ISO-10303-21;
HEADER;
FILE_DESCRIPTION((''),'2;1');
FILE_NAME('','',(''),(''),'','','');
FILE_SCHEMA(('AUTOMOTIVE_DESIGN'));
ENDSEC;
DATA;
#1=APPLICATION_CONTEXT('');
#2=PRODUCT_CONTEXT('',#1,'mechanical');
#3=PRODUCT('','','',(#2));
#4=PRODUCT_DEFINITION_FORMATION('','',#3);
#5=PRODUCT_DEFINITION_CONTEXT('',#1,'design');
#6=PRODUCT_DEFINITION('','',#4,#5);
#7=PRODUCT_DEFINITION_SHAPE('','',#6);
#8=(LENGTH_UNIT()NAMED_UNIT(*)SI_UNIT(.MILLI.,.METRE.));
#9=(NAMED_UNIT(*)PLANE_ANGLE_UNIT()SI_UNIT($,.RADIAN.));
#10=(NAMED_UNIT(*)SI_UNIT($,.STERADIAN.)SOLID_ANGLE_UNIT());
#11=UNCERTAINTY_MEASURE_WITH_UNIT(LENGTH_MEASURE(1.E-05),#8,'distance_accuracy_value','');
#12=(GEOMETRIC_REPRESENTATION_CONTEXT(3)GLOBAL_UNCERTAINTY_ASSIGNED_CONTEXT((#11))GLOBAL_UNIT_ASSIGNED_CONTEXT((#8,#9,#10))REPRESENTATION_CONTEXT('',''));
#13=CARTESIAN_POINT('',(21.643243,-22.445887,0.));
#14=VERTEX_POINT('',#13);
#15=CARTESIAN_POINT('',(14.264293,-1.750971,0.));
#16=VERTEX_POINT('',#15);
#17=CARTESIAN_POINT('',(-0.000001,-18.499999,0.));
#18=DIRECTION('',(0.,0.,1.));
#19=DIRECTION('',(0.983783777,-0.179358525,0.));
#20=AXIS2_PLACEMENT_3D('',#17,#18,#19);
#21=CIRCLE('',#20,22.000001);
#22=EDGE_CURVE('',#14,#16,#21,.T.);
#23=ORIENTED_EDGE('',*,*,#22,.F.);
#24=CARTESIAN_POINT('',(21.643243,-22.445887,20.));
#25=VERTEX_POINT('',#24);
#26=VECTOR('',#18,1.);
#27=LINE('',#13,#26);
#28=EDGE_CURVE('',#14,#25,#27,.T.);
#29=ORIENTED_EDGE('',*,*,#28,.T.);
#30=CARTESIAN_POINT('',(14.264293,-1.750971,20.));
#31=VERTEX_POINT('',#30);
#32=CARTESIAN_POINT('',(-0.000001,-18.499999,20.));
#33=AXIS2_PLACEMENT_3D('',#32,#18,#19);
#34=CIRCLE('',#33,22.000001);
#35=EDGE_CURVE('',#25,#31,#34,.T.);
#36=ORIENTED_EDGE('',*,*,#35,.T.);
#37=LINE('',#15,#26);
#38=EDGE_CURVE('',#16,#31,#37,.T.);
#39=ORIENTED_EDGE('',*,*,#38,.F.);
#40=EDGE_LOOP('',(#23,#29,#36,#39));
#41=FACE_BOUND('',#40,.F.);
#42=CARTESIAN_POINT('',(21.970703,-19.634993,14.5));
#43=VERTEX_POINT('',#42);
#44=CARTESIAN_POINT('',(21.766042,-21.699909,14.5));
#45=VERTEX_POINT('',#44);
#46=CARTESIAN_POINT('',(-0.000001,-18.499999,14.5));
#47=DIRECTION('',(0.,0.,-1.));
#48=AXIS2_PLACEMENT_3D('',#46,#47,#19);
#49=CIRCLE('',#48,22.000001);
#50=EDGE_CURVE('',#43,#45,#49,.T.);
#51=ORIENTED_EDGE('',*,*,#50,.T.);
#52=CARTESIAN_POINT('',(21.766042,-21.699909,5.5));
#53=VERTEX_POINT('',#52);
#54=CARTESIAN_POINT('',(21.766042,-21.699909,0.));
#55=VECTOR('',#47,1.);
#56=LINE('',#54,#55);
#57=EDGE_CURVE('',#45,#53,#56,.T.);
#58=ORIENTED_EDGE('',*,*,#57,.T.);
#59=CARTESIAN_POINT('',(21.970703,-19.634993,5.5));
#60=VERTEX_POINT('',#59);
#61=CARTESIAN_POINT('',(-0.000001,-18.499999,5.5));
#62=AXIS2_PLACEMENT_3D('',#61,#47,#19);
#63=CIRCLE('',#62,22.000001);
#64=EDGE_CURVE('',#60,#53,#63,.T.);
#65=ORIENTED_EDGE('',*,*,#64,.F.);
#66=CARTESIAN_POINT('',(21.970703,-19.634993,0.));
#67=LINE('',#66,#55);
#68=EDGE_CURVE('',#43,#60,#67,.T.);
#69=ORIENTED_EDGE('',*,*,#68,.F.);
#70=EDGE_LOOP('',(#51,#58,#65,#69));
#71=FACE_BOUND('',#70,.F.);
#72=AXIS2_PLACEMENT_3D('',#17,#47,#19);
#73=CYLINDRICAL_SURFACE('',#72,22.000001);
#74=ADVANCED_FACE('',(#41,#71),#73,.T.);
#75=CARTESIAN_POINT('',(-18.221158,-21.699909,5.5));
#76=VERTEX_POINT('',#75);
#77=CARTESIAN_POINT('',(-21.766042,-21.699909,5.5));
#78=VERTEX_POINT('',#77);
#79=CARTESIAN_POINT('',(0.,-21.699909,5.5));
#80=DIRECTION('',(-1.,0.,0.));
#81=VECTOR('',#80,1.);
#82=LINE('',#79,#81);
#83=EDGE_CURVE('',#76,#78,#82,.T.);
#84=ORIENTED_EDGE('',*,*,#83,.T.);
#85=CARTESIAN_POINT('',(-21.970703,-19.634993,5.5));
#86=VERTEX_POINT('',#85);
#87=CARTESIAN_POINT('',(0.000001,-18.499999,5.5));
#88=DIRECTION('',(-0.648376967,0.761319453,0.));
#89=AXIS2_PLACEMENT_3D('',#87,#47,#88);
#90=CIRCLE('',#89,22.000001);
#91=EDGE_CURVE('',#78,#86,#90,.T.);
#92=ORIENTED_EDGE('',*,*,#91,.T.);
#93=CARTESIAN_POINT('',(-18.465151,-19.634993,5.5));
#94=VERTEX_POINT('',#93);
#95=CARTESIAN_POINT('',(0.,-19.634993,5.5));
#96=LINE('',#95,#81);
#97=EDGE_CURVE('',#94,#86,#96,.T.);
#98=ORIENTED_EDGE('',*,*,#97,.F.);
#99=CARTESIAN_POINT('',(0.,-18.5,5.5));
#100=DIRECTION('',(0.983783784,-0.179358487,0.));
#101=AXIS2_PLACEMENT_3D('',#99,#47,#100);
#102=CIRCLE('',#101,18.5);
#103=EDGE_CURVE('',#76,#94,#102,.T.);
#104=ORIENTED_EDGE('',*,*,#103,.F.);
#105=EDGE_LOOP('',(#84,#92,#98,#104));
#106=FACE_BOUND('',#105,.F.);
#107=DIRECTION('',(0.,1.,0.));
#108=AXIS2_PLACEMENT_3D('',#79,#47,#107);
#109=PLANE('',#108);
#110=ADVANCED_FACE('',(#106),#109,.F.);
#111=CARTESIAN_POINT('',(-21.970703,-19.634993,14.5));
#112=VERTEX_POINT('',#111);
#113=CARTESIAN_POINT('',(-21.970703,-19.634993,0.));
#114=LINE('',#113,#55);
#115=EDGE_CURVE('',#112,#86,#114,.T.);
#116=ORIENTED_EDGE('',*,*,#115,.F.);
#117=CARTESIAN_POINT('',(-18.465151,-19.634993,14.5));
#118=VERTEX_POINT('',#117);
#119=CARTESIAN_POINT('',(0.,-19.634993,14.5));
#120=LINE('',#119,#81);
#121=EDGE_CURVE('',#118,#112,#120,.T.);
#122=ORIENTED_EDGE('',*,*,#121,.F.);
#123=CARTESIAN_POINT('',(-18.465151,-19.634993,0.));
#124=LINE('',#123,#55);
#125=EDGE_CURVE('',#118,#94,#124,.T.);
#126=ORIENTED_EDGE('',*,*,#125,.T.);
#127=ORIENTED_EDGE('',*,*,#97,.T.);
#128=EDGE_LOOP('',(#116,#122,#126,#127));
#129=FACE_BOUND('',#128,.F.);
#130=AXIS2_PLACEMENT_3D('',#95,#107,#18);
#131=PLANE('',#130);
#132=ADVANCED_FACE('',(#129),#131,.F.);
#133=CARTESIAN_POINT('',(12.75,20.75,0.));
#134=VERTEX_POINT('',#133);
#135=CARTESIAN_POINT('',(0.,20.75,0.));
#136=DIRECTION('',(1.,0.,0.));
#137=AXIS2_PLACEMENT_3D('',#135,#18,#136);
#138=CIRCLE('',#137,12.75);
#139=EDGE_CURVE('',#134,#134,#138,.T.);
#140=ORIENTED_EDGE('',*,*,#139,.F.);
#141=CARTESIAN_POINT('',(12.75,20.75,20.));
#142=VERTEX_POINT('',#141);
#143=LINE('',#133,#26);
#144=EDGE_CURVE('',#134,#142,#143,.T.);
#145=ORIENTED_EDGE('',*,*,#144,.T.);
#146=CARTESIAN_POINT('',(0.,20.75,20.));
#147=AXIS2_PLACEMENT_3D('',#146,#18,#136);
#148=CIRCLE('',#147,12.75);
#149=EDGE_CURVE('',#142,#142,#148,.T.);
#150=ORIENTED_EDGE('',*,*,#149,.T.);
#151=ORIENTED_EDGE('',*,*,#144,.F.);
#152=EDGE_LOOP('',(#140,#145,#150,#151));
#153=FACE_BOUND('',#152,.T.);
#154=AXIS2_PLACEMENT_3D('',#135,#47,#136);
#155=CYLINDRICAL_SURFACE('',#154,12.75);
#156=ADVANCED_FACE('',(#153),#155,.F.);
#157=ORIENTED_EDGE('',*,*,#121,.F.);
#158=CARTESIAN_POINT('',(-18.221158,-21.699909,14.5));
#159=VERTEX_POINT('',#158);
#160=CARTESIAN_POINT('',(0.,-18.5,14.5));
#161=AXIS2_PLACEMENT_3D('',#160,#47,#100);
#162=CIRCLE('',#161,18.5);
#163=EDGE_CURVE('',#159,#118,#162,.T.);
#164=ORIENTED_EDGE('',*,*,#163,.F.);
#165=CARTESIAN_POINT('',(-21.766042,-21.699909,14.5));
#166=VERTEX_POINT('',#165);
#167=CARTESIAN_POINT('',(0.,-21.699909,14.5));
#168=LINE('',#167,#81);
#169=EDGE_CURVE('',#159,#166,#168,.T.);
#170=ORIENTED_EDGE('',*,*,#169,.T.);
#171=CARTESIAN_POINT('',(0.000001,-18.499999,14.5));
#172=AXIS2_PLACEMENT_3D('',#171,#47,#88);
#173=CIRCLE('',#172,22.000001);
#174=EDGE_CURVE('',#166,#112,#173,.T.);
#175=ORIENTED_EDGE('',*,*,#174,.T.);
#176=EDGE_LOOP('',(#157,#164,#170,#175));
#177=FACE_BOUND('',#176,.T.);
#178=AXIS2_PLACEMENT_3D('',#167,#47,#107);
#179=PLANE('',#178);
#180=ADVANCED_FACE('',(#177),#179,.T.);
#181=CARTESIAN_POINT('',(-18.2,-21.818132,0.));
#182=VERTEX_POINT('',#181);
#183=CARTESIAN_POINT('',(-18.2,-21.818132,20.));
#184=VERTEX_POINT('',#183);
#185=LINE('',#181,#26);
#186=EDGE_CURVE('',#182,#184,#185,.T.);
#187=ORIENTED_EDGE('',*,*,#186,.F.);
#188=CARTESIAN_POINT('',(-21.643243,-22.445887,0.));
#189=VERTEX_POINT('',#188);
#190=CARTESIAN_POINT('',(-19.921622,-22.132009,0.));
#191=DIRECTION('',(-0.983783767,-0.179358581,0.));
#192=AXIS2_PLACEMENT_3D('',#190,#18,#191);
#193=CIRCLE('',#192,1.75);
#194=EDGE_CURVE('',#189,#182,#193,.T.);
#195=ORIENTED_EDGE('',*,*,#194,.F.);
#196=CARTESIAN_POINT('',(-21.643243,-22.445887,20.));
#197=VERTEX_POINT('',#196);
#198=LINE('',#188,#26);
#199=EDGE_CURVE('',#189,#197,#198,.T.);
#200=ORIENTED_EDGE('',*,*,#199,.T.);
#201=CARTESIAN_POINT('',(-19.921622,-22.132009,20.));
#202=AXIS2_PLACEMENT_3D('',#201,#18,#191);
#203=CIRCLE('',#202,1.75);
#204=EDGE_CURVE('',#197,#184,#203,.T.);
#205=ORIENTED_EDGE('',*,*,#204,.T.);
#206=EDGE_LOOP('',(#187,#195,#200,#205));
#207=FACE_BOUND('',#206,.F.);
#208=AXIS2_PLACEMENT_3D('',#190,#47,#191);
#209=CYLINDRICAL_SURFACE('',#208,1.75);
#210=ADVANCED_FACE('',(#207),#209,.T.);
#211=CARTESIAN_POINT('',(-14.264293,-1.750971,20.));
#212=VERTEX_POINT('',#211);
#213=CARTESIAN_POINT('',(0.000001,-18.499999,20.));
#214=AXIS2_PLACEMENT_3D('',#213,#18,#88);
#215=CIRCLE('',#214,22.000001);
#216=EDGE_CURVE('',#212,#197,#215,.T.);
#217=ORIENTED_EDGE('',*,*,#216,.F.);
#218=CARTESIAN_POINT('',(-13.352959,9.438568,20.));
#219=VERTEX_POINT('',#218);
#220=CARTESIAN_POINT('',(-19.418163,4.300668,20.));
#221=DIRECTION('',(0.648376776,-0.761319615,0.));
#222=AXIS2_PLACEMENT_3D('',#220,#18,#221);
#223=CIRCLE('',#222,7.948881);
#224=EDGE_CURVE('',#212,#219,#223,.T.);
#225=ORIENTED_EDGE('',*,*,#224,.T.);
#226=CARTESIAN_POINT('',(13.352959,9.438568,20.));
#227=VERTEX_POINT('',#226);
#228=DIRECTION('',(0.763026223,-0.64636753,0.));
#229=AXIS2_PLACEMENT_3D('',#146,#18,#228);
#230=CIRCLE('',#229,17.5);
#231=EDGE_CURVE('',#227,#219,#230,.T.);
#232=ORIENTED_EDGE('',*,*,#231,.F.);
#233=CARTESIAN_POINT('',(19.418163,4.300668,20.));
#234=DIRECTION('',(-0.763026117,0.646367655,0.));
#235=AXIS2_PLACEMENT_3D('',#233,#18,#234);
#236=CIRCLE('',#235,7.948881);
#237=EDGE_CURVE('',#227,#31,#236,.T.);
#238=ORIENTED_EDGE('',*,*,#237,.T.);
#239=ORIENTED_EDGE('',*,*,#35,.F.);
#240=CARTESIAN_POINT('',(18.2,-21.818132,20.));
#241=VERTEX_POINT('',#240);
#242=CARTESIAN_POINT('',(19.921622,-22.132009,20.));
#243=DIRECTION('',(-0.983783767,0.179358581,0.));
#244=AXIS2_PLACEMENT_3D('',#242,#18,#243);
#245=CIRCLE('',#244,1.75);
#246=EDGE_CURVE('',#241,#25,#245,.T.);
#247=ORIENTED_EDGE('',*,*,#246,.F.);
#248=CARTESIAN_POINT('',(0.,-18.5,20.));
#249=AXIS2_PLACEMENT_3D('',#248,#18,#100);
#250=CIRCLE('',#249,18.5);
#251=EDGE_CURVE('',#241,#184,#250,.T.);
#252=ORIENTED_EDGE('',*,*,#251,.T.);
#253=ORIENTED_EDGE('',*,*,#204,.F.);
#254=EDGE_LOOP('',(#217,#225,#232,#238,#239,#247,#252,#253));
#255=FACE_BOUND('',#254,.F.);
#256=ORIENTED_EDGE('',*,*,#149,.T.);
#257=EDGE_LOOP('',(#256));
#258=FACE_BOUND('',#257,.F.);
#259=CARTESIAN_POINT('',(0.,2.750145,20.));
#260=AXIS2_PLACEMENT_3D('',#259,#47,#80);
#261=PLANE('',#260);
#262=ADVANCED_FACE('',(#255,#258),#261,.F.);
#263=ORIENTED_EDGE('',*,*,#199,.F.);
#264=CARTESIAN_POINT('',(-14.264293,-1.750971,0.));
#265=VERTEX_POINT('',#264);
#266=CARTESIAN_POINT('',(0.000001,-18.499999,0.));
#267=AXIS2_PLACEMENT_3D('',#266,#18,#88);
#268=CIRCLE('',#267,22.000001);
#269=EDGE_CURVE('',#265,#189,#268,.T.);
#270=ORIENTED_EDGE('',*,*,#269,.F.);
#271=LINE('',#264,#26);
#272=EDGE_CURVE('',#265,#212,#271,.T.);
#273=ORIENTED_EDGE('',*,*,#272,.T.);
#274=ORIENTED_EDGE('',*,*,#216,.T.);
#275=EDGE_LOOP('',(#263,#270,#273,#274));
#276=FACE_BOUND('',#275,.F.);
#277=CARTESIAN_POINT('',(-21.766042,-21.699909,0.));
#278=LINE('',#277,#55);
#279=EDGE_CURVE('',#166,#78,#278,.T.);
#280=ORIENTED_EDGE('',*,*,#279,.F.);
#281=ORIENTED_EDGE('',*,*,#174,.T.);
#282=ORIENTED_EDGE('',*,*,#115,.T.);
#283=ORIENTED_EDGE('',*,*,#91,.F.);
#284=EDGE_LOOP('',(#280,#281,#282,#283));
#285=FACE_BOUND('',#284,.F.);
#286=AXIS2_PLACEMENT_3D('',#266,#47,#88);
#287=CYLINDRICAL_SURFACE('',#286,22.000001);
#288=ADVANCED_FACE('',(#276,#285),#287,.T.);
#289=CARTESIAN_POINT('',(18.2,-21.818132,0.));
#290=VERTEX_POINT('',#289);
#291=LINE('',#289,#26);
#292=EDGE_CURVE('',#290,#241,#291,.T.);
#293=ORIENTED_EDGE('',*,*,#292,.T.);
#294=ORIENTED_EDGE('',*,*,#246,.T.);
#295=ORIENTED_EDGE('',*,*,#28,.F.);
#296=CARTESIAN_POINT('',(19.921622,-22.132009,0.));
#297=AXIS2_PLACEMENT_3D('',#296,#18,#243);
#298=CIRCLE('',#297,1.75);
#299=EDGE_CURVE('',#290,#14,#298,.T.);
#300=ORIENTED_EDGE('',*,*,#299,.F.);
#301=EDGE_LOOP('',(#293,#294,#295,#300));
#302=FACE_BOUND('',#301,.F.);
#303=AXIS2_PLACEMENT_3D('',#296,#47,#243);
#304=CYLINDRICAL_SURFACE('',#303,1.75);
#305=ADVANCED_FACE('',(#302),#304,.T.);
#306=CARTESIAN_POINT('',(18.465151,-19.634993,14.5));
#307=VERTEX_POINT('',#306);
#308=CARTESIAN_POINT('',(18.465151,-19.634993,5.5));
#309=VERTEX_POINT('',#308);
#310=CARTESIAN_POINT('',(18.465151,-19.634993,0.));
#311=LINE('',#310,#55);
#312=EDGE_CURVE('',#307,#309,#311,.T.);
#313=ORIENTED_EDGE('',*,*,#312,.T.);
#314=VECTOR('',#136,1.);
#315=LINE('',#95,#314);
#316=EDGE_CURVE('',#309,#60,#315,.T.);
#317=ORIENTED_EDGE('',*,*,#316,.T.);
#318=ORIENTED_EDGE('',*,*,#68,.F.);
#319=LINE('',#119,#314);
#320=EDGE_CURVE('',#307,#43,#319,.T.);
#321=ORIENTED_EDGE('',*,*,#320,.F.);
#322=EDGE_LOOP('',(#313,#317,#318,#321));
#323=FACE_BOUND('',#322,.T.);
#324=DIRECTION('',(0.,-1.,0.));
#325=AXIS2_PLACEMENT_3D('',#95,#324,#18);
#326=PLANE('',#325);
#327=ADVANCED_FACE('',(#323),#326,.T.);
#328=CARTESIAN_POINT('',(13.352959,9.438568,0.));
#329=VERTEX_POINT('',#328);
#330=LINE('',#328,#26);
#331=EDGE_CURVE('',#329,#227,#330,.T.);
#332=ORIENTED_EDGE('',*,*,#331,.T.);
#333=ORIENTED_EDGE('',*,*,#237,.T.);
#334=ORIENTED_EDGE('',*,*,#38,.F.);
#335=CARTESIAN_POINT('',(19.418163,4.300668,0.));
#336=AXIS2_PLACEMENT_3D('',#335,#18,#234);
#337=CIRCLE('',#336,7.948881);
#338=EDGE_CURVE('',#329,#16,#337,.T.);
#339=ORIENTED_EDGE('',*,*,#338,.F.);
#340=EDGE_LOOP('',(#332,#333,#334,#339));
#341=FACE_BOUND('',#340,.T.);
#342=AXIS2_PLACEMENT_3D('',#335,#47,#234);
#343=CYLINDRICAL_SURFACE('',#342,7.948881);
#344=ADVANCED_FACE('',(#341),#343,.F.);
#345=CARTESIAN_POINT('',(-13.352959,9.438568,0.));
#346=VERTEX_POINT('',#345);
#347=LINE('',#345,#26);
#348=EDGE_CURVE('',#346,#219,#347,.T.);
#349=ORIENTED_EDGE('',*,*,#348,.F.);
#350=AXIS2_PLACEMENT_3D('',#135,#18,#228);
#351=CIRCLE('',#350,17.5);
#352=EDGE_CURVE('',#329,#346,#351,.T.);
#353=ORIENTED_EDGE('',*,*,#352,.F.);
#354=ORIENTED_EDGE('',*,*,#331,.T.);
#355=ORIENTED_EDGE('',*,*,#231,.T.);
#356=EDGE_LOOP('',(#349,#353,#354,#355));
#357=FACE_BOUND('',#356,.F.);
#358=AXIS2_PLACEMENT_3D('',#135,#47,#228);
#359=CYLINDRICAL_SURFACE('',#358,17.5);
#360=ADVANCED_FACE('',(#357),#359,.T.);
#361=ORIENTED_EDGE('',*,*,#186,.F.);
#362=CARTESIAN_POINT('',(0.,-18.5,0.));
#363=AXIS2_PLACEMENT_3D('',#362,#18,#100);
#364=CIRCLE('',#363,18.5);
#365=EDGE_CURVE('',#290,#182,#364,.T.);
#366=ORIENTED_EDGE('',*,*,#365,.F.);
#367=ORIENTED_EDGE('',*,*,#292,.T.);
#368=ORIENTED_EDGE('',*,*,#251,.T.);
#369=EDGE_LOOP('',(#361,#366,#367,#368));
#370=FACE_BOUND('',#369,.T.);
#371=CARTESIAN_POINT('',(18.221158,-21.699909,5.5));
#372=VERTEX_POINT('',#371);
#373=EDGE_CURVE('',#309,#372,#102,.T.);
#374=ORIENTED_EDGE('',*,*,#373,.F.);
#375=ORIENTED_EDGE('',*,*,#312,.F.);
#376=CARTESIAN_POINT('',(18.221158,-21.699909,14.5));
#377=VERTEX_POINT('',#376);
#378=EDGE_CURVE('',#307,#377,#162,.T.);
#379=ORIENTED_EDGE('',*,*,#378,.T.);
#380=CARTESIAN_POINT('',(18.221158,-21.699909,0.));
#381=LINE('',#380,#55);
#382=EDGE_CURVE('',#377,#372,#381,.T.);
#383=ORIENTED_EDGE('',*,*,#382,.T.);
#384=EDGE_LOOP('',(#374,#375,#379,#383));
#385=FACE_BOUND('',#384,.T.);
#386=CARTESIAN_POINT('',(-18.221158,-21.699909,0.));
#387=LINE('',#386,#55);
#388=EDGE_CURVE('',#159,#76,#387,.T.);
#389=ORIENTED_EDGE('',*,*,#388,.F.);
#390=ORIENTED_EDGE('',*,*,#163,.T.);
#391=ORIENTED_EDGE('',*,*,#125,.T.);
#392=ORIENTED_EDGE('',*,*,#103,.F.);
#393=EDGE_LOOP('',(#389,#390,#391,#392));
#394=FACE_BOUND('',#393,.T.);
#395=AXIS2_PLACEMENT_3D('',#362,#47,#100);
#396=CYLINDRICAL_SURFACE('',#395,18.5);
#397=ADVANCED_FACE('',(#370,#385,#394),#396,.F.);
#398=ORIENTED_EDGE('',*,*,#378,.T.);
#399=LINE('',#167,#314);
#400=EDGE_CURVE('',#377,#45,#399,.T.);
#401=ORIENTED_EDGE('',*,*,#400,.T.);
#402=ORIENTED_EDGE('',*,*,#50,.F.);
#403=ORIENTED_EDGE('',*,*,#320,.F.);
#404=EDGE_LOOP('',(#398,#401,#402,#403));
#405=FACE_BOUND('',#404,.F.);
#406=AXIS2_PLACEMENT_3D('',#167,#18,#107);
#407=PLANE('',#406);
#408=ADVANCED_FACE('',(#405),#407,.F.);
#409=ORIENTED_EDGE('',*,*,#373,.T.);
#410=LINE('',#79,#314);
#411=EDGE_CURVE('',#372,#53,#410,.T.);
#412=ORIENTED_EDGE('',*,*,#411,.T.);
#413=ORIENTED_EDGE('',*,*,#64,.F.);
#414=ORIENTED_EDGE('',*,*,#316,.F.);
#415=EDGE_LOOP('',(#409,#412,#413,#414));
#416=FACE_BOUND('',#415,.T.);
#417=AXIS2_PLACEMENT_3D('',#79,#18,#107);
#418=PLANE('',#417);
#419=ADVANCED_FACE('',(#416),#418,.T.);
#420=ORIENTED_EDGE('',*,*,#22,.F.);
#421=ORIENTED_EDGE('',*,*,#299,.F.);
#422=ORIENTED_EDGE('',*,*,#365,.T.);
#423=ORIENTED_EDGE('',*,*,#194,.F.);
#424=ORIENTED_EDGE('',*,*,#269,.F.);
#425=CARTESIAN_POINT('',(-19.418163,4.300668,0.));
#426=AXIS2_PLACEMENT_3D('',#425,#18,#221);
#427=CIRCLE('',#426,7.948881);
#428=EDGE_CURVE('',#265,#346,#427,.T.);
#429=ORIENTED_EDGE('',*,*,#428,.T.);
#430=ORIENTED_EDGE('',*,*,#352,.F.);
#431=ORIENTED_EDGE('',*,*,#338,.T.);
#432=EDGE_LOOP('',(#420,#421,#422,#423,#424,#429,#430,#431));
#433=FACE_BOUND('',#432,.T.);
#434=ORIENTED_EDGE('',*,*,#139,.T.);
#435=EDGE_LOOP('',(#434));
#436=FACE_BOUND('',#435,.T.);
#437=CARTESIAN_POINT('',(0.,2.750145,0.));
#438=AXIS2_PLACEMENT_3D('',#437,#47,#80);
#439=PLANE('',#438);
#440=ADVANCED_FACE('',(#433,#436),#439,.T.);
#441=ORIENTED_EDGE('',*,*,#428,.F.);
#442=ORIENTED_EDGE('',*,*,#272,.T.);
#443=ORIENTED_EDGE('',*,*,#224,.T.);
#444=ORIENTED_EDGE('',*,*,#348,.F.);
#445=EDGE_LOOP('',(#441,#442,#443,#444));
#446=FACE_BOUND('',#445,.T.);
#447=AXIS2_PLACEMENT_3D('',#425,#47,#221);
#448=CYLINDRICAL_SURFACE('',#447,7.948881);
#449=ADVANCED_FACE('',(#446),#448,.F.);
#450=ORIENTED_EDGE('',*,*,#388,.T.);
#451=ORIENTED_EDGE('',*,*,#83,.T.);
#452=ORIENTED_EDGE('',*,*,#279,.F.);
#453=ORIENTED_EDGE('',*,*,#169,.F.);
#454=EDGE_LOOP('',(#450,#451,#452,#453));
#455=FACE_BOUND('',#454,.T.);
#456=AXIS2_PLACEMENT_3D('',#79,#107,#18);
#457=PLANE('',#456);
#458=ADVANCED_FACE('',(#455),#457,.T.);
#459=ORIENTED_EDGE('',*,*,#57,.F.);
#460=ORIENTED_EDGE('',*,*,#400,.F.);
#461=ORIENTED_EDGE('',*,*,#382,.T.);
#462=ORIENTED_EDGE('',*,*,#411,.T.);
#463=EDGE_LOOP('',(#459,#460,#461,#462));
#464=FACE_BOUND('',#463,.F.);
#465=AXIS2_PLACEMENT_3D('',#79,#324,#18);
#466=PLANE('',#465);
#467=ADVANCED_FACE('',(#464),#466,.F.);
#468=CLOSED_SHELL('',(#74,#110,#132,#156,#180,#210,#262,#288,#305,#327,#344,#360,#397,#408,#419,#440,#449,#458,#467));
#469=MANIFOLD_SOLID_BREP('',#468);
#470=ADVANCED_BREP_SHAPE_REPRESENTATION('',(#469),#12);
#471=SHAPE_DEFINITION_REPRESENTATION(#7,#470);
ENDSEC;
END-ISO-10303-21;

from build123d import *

# Parameters (mm, degrees)
SKETCH_R          = 12.75
PAD_DEPTH         = 20
SKETCH001_W       = 2.064916
SKETCH001_H       = 9
POCKET_DEPTH      = 22.001
POCKET_DEPTH_BACK = 22.001


with BuildPart() as part:
    # Sketch → Pad (new body)
    with BuildSketch(Plane.XY):
        with BuildLine():
            ThreePointArc((18.2, -21.818132), (0, 0), (-18.2, -21.818132))
            ThreePointArc((-21.643243, -22.445887), (-19.607744, -23.853631), (-18.2, -21.818132))
            ThreePointArc((-14.264293, -1.750971), (-20.722154, -11.111337), (-21.643243, -22.445887))
            ThreePointArc((-14.264293, -1.750971), (-11.495515, 3.655407), (-13.352959, 9.438568))
            ThreePointArc((13.352959, 9.438568), (0, 38.25), (-13.352959, 9.438568))
            ThreePointArc((13.352959, 9.438568), (11.495515, 3.655407), (14.264293, -1.750971))
            ThreePointArc((21.643243, -22.445887), (20.722154, -11.111337), (14.264293, -1.750971))
            ThreePointArc((18.2, -21.818132), (19.607744, -23.853631), (21.643243, -22.445887))
        make_face()
        with Locations((0, 20.75)):
            Circle(SKETCH_R, mode=Mode.SUBTRACT)
    extrude(amount=PAD_DEPTH)

    # Sketch001 → Pocket (cut, two sides)
    with BuildSketch(Plane.YZ) as pocket_sk:
        with Locations((-20.667451, 10)):
            Rectangle(SKETCH001_W, SKETCH001_H)
    extrude(amount=-POCKET_DEPTH, mode=Mode.SUBTRACT)
    extrude(pocket_sk.sketch, amount=POCKET_DEPTH_BACK, mode=Mode.SUBTRACT)


solid = part.part
